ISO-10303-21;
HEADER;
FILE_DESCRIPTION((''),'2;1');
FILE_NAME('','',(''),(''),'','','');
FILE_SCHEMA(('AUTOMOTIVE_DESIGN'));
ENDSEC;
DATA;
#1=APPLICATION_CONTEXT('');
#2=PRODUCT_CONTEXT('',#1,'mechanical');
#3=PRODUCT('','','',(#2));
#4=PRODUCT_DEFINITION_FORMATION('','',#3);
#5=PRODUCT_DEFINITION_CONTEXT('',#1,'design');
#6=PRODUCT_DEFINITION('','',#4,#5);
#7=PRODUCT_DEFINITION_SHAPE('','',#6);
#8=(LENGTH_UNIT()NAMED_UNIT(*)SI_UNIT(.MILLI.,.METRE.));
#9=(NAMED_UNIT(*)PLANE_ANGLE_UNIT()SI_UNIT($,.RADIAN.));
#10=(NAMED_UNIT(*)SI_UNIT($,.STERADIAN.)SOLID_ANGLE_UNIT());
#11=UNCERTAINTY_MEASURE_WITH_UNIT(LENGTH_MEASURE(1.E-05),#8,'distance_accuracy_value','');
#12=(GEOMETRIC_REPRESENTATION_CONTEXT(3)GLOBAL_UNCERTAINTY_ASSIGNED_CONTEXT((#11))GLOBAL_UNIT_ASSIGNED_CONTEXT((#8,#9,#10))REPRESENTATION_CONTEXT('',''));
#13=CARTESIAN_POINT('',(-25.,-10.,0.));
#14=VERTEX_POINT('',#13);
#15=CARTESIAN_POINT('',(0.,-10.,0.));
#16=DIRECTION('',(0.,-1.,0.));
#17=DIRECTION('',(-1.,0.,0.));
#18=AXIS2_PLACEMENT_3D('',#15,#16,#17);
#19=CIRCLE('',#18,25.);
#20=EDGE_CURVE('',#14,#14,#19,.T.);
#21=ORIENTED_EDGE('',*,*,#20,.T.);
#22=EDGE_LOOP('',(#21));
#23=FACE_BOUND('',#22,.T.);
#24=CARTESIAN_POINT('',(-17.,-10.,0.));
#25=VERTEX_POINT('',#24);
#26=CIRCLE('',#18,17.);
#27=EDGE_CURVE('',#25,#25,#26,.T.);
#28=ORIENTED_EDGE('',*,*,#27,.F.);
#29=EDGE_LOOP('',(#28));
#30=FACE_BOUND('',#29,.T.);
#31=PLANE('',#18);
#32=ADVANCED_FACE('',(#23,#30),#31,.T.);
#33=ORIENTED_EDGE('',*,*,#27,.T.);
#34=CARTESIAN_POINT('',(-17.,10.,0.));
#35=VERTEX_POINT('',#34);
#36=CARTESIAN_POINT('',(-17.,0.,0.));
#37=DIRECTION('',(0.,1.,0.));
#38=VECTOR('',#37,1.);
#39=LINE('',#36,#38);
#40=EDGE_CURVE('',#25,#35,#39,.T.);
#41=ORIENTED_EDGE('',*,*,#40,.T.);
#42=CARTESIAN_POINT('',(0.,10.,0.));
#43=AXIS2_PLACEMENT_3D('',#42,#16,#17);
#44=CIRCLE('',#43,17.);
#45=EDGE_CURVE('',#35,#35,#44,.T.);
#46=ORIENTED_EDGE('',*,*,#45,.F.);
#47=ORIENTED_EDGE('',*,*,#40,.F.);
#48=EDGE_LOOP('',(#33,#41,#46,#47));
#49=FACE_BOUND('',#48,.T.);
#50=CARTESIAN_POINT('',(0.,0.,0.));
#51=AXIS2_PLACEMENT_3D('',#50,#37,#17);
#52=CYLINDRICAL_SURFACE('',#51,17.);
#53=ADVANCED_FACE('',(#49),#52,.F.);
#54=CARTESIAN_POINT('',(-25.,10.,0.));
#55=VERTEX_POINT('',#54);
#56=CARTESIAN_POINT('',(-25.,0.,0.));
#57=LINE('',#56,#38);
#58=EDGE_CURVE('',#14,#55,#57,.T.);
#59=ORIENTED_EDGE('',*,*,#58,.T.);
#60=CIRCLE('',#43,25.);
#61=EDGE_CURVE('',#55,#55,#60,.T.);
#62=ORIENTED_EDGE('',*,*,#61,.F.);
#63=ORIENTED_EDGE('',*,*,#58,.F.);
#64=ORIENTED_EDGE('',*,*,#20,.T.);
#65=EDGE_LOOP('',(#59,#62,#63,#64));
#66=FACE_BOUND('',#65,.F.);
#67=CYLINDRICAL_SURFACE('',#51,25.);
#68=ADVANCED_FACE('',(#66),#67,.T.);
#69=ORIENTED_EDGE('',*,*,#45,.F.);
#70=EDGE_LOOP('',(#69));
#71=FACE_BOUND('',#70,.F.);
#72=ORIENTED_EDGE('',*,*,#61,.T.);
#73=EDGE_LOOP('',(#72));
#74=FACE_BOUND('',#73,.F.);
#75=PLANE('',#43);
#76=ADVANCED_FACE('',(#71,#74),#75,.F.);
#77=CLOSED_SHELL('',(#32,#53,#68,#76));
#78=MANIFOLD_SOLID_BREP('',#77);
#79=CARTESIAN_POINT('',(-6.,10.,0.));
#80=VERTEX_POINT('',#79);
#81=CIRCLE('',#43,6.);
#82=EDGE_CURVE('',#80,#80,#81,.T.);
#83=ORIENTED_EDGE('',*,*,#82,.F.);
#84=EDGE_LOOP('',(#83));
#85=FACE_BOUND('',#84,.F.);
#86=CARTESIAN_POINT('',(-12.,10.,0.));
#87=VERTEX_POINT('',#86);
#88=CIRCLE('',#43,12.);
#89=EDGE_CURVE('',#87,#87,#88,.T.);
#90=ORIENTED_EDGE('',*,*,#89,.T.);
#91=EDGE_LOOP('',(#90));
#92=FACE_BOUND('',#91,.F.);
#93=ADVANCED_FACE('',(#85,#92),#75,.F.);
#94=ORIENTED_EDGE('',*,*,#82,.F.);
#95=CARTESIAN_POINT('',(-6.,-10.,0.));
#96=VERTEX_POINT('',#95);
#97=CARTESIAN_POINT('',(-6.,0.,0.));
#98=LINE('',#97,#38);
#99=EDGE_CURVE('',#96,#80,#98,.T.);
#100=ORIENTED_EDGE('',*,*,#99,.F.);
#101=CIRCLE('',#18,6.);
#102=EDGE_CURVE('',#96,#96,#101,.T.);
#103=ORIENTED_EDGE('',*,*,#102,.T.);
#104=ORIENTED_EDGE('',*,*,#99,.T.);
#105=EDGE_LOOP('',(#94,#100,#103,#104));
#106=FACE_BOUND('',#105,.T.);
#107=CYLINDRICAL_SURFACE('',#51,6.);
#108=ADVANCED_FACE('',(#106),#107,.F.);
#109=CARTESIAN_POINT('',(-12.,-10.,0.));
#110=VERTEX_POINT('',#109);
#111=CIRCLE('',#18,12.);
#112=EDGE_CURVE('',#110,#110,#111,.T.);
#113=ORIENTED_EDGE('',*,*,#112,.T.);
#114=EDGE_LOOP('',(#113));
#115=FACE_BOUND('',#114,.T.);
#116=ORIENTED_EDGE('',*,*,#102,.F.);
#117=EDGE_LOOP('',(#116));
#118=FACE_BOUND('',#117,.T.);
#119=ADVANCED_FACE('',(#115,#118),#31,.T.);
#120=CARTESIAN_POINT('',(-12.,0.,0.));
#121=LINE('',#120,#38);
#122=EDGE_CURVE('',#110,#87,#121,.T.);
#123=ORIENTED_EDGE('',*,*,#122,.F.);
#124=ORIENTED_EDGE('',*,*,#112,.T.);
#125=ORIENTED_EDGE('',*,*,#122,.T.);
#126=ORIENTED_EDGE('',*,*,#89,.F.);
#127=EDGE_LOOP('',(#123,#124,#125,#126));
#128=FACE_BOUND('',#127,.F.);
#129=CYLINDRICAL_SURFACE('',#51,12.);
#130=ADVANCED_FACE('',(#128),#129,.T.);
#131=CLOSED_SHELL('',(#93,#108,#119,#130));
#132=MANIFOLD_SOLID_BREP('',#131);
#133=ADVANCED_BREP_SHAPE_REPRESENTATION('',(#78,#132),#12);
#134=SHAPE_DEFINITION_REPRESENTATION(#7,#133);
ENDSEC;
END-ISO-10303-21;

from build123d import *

# Parameters (mm, degrees)
F0_W = 8
F0_H = 20
F3_W = 6
F3_H = 20


with BuildPart() as f2:
    # F0 (on Top) → F2 (revolve)
    with BuildSketch(Plane.XY):
        with Locations((-21, 0)):
            Rectangle(F0_W, F0_H)
    revolve(axis=Axis((0, -1.9382, 0), (0, -1, 0)))


with BuildPart() as f4:
    # F3 (on Top) → F4 (revolve)
    with BuildSketch(Plane.XY):
        with Locations((-9, 0)):
            Rectangle(F3_W, F3_H)
    revolve(axis=Axis((0, -1.9382, 0), (0, -1, 0)))


solid = Compound([f2.part, f4.part])
